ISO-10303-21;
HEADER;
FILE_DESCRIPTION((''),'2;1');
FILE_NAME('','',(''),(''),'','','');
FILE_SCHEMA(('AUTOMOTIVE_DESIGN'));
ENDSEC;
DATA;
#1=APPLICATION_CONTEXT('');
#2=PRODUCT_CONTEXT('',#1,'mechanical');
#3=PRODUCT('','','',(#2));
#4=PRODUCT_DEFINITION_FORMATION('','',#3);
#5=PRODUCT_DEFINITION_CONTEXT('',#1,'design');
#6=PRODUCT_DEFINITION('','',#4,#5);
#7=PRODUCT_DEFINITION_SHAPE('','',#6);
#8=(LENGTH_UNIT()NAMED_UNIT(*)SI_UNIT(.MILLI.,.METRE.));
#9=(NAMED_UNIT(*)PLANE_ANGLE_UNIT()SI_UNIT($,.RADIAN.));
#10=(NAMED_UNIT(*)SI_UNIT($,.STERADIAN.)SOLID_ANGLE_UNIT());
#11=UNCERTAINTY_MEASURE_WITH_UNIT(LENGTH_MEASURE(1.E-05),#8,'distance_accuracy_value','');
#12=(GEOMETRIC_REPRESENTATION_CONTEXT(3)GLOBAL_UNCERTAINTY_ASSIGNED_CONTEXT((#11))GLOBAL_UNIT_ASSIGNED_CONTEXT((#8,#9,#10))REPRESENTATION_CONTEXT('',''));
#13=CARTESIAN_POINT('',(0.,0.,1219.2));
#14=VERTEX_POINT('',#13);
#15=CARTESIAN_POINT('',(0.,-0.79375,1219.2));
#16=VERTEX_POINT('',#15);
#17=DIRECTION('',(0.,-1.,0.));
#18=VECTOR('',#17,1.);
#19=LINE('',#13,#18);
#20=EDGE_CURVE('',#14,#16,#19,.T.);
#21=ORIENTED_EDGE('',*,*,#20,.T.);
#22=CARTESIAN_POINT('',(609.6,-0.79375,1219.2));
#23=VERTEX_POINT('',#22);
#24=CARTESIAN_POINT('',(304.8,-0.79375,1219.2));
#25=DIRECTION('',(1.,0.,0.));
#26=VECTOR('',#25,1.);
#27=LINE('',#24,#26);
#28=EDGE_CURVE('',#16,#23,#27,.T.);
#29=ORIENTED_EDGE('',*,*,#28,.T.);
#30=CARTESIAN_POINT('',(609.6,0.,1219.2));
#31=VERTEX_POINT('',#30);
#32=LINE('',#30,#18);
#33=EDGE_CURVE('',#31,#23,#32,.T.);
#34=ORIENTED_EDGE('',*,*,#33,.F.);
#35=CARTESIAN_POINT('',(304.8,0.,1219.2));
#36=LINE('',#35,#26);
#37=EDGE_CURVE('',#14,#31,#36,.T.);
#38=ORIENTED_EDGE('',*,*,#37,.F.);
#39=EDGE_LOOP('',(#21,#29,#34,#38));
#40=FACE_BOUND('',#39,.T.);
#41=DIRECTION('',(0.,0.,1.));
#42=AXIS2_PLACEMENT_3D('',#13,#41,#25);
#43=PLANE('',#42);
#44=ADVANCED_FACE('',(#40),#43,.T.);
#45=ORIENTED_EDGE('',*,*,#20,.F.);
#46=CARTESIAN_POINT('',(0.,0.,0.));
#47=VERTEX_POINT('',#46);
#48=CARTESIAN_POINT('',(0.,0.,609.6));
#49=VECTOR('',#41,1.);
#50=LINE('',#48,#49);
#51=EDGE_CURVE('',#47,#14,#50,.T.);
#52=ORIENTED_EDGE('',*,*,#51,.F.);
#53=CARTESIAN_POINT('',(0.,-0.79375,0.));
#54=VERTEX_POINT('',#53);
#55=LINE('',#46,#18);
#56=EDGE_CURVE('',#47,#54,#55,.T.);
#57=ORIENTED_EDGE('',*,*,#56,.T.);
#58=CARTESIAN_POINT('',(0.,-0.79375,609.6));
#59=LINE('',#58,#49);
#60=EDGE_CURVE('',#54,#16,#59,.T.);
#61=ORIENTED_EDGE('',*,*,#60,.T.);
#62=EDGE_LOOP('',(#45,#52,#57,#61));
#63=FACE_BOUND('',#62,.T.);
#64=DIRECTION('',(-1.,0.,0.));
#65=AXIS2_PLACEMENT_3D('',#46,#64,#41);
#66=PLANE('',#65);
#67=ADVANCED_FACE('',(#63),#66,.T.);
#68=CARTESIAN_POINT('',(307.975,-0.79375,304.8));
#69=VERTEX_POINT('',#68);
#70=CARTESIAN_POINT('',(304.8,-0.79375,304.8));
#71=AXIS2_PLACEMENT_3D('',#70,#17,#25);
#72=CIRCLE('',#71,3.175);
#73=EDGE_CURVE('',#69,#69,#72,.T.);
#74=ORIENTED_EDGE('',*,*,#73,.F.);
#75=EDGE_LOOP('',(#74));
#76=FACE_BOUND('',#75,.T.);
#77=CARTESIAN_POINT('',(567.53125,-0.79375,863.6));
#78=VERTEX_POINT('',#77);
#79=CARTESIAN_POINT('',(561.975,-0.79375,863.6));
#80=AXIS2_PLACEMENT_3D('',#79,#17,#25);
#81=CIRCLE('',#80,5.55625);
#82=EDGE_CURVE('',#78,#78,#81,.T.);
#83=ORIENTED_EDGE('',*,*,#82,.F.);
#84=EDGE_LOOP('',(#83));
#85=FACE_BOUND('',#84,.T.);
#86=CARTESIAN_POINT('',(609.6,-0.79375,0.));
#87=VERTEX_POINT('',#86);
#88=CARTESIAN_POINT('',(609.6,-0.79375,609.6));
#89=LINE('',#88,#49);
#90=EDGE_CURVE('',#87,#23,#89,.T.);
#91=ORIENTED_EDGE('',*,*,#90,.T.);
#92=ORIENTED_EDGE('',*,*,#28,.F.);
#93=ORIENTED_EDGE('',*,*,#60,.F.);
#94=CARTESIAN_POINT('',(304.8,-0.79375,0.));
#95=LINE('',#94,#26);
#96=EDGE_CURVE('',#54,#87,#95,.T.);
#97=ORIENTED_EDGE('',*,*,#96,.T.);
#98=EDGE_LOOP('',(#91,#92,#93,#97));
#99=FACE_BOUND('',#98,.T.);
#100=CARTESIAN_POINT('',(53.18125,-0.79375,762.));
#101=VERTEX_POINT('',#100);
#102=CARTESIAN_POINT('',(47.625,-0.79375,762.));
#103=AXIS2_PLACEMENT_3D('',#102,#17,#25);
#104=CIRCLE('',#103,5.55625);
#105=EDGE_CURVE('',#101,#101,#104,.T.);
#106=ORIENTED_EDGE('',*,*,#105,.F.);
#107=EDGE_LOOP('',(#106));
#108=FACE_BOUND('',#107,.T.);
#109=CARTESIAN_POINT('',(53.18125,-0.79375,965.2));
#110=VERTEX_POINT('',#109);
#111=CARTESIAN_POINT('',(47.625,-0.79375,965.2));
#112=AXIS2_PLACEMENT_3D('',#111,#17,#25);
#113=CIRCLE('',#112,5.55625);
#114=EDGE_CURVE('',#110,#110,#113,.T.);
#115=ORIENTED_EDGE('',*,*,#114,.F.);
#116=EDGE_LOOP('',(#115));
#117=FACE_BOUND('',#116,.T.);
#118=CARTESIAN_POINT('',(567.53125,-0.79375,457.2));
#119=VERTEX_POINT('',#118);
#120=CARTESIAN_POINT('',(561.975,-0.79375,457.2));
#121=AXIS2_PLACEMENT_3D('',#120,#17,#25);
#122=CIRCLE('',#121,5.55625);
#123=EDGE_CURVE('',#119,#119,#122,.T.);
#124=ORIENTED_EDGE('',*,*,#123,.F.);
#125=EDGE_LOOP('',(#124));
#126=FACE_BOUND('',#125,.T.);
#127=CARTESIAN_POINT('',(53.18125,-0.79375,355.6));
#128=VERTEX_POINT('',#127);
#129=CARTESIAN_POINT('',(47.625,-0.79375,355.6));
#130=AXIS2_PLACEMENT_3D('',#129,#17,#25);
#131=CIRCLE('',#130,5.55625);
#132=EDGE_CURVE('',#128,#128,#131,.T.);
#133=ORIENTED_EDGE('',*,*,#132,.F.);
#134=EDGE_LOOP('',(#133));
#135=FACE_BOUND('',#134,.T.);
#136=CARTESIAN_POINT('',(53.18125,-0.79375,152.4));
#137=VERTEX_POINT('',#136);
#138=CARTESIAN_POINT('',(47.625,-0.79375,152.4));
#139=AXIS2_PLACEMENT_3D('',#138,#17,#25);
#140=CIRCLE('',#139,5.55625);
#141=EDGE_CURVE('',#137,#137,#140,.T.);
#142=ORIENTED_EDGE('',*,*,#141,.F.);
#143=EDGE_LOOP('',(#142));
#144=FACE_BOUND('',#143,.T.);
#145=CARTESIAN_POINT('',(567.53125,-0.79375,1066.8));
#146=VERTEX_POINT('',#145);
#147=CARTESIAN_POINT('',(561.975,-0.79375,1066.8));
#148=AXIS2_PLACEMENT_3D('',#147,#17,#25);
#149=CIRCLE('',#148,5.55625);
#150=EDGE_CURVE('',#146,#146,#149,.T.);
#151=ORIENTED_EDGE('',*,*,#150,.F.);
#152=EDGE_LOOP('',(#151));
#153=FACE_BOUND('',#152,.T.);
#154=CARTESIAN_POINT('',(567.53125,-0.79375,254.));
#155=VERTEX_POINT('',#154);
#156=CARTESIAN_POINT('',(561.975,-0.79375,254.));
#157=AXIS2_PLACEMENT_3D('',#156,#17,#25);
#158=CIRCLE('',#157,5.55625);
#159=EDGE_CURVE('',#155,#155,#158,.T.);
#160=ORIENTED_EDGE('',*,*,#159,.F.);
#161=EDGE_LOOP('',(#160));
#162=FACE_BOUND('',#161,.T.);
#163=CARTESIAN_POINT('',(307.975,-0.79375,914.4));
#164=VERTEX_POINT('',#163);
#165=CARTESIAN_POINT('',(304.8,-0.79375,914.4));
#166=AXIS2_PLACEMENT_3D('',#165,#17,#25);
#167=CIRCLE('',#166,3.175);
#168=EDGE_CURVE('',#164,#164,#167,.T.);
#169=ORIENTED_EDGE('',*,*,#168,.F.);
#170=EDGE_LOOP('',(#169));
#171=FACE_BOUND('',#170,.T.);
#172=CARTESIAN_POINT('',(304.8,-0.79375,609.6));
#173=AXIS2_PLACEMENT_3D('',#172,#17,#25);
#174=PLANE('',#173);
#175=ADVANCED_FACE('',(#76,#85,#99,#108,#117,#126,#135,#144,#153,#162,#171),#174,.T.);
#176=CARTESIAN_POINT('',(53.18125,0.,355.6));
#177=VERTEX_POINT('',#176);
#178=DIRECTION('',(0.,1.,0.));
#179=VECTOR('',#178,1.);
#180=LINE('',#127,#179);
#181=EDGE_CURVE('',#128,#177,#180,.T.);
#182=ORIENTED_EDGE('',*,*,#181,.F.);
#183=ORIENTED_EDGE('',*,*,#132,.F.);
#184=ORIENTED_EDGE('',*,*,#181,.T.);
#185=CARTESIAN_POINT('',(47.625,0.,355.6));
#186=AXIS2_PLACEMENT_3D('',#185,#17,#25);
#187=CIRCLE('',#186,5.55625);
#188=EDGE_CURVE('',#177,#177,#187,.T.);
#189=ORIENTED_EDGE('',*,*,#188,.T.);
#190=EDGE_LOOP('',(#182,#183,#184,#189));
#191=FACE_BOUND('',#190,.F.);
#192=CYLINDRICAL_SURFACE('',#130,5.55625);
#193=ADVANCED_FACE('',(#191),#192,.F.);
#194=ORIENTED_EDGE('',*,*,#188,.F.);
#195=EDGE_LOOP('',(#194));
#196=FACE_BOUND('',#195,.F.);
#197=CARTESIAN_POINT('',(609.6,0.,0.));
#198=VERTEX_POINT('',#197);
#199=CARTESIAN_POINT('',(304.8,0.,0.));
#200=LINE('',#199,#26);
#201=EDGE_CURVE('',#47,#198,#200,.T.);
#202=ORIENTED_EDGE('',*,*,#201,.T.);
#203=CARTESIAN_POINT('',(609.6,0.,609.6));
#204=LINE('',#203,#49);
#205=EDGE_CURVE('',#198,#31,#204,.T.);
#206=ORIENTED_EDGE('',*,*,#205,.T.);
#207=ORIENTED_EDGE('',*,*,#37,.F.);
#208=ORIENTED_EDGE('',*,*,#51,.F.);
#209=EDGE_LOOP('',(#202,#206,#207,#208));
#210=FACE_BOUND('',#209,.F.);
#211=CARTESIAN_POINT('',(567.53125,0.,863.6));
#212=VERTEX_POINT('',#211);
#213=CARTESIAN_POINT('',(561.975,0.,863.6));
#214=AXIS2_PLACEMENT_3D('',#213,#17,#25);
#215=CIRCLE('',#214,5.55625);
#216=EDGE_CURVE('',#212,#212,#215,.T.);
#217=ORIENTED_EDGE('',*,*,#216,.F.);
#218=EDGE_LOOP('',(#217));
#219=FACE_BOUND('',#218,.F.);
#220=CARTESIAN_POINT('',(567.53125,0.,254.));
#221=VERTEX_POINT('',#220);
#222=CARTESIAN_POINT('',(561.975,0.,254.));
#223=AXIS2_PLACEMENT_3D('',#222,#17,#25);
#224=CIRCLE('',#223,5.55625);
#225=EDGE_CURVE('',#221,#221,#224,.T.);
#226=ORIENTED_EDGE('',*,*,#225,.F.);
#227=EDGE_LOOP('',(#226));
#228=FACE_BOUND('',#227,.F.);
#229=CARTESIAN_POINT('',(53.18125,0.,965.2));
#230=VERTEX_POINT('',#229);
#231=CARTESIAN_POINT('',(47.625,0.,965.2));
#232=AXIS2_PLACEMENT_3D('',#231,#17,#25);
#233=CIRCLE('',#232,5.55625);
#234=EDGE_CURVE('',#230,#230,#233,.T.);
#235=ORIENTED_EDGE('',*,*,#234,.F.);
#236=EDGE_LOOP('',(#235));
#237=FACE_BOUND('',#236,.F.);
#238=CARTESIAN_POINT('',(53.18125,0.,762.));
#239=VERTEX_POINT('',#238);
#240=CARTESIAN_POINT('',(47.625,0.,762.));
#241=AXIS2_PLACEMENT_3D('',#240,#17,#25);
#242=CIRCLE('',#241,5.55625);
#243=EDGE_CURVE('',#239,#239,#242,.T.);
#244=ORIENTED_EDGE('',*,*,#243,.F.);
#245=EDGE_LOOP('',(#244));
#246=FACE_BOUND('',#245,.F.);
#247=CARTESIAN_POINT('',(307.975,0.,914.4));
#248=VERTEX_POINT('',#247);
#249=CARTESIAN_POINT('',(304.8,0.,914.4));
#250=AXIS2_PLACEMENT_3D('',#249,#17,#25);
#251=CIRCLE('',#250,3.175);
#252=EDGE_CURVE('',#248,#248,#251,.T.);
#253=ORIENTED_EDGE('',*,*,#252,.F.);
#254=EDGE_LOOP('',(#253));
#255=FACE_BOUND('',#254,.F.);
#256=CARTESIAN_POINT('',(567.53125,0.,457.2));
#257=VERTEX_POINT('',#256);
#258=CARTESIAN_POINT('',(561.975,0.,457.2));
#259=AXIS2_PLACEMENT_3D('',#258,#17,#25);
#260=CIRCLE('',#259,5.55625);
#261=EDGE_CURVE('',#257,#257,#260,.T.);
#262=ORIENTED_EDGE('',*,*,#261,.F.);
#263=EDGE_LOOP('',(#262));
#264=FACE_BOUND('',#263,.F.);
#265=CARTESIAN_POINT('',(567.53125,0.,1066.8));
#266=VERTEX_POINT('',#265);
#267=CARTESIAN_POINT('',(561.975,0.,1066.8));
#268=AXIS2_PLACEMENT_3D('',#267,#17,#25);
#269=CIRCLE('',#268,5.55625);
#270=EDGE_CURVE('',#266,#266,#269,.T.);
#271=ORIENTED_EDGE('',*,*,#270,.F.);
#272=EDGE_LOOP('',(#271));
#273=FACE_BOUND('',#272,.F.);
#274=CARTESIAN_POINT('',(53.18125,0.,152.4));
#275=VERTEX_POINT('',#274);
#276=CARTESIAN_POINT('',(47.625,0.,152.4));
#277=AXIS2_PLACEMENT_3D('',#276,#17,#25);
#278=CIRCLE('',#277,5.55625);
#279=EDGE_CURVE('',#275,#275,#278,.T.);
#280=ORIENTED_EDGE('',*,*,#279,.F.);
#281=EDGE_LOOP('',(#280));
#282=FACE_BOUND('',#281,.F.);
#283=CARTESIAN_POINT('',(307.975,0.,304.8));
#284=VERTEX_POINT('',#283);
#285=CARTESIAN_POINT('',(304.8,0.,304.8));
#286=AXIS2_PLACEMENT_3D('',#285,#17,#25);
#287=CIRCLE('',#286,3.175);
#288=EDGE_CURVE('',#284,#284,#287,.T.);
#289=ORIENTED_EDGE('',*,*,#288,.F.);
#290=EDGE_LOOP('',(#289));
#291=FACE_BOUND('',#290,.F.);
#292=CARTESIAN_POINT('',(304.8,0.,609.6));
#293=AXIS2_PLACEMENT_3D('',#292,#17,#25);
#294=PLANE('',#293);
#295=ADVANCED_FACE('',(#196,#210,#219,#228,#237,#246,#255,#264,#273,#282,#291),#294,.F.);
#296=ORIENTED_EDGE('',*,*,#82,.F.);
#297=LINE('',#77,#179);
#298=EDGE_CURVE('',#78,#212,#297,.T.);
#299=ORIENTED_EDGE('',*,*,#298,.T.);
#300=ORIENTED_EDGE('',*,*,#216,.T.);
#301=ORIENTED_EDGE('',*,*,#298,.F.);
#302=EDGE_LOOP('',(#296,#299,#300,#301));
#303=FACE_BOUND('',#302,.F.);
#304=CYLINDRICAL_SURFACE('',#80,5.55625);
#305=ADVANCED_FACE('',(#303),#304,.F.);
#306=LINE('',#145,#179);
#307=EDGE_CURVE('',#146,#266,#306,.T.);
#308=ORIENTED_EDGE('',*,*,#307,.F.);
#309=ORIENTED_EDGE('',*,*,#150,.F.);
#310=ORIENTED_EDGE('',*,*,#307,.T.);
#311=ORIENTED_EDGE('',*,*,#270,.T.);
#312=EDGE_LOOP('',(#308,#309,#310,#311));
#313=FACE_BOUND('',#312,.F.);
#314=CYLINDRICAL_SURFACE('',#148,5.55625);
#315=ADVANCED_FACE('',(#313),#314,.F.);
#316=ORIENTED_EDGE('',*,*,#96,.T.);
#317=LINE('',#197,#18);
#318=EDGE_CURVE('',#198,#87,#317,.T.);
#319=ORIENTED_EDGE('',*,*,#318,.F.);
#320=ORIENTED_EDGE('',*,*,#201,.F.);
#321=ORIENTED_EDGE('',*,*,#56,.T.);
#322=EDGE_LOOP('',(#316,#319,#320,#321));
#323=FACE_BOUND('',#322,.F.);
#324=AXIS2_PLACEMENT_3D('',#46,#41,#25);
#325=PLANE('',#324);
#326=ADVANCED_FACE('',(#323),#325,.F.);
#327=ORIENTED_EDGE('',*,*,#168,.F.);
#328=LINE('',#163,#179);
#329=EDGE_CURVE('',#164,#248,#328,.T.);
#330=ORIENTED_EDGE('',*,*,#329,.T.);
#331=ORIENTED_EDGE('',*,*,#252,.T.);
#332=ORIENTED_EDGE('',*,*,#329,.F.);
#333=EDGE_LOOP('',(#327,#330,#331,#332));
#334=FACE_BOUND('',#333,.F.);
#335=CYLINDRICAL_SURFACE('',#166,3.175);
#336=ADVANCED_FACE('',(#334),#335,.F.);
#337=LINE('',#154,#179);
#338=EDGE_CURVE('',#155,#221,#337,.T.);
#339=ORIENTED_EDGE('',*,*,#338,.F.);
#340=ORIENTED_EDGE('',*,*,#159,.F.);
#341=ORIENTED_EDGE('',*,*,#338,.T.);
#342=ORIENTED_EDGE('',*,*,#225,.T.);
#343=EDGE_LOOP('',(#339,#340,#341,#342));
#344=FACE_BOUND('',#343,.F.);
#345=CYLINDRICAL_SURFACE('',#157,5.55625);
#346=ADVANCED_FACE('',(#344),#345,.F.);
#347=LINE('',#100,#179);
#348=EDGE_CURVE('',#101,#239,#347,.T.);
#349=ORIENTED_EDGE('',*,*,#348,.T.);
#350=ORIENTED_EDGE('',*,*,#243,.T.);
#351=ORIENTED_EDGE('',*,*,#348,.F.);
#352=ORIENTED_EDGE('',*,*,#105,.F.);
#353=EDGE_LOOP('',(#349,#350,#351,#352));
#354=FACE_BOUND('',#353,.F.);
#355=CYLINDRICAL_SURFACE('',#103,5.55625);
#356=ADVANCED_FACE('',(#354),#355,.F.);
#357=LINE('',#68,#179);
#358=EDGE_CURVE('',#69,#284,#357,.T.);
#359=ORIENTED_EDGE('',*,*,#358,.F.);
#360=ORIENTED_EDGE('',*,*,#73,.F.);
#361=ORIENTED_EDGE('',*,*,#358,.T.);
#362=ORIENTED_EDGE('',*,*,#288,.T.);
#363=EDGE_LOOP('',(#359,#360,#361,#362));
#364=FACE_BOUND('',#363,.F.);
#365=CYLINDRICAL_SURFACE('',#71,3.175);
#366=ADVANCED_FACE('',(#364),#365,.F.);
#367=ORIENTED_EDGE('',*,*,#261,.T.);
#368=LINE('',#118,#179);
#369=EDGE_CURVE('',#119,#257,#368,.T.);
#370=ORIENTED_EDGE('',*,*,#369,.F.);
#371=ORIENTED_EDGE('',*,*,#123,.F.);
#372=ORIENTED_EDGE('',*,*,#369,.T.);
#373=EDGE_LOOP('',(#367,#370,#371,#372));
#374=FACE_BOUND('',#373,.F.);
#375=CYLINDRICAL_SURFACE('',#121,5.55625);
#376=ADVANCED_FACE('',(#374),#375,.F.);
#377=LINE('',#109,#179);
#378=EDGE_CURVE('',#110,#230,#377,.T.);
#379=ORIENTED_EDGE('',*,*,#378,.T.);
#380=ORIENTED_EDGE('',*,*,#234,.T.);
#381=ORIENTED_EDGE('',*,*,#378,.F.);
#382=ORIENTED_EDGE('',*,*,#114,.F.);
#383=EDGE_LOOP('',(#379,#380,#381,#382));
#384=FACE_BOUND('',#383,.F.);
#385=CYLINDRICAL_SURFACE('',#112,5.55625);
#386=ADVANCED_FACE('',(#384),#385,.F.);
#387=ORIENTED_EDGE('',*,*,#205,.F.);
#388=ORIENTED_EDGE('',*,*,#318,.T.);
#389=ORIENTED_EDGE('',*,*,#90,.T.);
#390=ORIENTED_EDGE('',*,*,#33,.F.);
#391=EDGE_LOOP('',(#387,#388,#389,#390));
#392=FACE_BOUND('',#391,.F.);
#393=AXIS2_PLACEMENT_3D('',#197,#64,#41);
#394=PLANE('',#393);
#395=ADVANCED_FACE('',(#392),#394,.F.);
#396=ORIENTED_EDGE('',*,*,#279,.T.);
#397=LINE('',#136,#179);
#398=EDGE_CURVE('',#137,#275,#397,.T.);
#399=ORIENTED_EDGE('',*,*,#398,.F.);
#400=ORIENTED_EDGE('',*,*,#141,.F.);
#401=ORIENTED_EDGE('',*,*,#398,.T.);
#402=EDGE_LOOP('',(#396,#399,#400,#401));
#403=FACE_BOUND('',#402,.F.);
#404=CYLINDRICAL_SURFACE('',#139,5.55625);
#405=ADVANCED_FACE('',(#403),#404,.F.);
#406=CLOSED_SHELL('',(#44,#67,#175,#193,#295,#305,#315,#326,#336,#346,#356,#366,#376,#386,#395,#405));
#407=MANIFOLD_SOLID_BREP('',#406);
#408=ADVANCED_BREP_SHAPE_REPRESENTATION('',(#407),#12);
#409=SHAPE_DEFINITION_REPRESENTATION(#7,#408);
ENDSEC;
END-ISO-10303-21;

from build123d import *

# Parameters (mm, degrees)
F0_W     = 609.6
F0_H     = 1219.2
F1_DEPTH = 0.79375
F2_R     = 5.55625
F3_DEPTH = 25.4
F4_R     = 3.175
F5_DEPTH = 25.4


with BuildPart() as f1:
    # F0 (on Front) → F1 (new body)
    with BuildSketch(Plane.XZ):
        with Locations((304.8, 609.6)):
            Rectangle(F0_W, F0_H)
    extrude(amount=F1_DEPTH)

    # F2 (on face) → F3 (cut)
    with BuildSketch(Plane.XZ.offset(0.79375)):
        with Locations((47.625, 355.6)):
            Circle(F2_R)
        with Locations((47.625, 152.4)):
            Circle(F2_R)
        with Locations((561.975, 863.6)):
            Circle(F2_R)
        with Locations((561.975, 1066.8)):
            Circle(F2_R)
        with Locations((561.975, 254)):
            Circle(F2_R)
        with Locations((561.975, 457.2)):
            Circle(F2_R)
        with Locations((47.625, 965.2)):
            Circle(F2_R)
        with Locations((47.625, 762)):
            Circle(F2_R)
    extrude(amount=-F3_DEPTH, mode=Mode.SUBTRACT)

    # F4 (on face) → F5 (cut)
    with BuildSketch(Plane.XZ.offset(0.79375)):
        with Locations((304.8, 304.8)):
            Circle(F4_R)
        with Locations((304.8, 914.4)):
            Circle(F4_R)
    extrude(amount=-F5_DEPTH, mode=Mode.SUBTRACT)


solid = f1.part
